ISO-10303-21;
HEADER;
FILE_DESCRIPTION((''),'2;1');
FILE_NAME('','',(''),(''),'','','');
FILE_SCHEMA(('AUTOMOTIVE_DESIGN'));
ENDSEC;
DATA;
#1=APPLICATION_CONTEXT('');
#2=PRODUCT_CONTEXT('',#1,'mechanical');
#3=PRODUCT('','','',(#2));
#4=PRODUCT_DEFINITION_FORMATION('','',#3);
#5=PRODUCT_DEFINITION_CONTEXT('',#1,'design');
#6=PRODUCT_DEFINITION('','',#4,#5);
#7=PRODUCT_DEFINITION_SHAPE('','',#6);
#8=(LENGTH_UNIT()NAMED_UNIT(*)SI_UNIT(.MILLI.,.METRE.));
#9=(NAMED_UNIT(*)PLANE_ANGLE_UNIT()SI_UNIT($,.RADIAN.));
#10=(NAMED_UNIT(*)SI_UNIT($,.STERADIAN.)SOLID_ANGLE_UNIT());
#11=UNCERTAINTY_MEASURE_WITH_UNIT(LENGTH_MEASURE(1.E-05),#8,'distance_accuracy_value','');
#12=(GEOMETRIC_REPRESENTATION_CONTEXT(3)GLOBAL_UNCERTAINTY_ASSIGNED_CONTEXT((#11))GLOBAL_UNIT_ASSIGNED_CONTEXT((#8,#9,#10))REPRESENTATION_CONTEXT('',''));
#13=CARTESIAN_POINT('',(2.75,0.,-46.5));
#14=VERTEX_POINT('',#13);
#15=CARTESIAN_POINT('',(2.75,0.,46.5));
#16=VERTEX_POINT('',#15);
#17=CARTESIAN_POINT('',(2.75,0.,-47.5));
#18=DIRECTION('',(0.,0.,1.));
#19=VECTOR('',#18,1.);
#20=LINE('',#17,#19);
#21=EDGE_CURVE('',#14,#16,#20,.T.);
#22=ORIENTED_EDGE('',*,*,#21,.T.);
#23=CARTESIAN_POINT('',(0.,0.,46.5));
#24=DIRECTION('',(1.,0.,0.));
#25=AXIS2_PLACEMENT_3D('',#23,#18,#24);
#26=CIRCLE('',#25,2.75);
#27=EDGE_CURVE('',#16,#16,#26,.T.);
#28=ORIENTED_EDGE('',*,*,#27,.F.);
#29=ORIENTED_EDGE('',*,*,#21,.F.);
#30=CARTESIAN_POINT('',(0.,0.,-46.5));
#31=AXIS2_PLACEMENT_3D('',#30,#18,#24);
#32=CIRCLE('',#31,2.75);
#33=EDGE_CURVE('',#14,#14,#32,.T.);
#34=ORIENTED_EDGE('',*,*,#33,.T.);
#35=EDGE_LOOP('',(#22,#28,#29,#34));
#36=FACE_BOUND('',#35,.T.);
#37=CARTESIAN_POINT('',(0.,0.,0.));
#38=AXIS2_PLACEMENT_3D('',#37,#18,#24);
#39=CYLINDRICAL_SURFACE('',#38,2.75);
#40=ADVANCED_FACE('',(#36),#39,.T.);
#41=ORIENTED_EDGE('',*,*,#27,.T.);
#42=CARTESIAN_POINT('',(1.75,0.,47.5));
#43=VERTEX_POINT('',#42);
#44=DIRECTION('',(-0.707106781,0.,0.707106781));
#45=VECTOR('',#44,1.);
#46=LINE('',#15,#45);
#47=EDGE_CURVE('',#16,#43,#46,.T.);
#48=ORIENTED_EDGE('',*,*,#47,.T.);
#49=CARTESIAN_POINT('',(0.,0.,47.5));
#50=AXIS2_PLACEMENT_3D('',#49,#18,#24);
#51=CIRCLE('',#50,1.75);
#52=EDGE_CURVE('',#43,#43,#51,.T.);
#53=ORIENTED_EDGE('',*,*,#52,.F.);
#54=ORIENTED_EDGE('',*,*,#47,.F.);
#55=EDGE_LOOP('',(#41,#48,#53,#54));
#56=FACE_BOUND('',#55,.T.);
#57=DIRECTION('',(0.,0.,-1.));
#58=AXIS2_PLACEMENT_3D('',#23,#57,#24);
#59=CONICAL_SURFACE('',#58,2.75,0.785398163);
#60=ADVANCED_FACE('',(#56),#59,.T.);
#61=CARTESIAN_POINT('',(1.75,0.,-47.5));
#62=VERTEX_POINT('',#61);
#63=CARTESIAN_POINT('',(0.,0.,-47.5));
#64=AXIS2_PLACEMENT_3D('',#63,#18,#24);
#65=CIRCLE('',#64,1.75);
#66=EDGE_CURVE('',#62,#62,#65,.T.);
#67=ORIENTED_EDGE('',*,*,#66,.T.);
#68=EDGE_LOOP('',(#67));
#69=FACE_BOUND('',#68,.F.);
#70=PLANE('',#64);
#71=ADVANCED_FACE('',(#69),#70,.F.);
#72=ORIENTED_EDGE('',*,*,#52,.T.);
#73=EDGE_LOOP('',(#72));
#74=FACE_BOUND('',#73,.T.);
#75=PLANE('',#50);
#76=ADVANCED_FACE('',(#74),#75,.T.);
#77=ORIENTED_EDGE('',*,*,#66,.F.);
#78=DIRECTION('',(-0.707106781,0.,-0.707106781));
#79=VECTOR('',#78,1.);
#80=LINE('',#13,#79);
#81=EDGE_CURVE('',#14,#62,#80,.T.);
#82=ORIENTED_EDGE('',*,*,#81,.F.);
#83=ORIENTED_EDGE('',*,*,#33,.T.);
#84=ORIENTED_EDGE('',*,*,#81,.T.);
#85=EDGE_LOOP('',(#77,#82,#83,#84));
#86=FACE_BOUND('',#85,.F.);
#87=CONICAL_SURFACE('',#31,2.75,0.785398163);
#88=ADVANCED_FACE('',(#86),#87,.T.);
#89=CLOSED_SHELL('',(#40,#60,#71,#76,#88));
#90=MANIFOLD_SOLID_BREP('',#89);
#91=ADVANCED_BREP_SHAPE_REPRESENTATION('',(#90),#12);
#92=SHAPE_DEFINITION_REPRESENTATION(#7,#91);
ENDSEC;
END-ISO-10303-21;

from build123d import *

# Parameters (mm, degrees)
F0_R     = 2.75
F1_DEPTH = 47.5
F2_SIZE  = 1


with BuildPart() as f1:
    # F0 (on Top) → F1 (new body, symmetric)
    with BuildSketch(Plane.XY):
        Circle(F0_R)
    extrude(amount=F1_DEPTH, both=True)

    # F2
    f2_edges = [f1.edges().sort_by_distance(p)[0] for p in [
        (-2.75, 0, 47.5),
        (-2.75, 0, -47.5),
    ]]
    chamfer(f2_edges, length=F2_SIZE)


solid = f1.part
